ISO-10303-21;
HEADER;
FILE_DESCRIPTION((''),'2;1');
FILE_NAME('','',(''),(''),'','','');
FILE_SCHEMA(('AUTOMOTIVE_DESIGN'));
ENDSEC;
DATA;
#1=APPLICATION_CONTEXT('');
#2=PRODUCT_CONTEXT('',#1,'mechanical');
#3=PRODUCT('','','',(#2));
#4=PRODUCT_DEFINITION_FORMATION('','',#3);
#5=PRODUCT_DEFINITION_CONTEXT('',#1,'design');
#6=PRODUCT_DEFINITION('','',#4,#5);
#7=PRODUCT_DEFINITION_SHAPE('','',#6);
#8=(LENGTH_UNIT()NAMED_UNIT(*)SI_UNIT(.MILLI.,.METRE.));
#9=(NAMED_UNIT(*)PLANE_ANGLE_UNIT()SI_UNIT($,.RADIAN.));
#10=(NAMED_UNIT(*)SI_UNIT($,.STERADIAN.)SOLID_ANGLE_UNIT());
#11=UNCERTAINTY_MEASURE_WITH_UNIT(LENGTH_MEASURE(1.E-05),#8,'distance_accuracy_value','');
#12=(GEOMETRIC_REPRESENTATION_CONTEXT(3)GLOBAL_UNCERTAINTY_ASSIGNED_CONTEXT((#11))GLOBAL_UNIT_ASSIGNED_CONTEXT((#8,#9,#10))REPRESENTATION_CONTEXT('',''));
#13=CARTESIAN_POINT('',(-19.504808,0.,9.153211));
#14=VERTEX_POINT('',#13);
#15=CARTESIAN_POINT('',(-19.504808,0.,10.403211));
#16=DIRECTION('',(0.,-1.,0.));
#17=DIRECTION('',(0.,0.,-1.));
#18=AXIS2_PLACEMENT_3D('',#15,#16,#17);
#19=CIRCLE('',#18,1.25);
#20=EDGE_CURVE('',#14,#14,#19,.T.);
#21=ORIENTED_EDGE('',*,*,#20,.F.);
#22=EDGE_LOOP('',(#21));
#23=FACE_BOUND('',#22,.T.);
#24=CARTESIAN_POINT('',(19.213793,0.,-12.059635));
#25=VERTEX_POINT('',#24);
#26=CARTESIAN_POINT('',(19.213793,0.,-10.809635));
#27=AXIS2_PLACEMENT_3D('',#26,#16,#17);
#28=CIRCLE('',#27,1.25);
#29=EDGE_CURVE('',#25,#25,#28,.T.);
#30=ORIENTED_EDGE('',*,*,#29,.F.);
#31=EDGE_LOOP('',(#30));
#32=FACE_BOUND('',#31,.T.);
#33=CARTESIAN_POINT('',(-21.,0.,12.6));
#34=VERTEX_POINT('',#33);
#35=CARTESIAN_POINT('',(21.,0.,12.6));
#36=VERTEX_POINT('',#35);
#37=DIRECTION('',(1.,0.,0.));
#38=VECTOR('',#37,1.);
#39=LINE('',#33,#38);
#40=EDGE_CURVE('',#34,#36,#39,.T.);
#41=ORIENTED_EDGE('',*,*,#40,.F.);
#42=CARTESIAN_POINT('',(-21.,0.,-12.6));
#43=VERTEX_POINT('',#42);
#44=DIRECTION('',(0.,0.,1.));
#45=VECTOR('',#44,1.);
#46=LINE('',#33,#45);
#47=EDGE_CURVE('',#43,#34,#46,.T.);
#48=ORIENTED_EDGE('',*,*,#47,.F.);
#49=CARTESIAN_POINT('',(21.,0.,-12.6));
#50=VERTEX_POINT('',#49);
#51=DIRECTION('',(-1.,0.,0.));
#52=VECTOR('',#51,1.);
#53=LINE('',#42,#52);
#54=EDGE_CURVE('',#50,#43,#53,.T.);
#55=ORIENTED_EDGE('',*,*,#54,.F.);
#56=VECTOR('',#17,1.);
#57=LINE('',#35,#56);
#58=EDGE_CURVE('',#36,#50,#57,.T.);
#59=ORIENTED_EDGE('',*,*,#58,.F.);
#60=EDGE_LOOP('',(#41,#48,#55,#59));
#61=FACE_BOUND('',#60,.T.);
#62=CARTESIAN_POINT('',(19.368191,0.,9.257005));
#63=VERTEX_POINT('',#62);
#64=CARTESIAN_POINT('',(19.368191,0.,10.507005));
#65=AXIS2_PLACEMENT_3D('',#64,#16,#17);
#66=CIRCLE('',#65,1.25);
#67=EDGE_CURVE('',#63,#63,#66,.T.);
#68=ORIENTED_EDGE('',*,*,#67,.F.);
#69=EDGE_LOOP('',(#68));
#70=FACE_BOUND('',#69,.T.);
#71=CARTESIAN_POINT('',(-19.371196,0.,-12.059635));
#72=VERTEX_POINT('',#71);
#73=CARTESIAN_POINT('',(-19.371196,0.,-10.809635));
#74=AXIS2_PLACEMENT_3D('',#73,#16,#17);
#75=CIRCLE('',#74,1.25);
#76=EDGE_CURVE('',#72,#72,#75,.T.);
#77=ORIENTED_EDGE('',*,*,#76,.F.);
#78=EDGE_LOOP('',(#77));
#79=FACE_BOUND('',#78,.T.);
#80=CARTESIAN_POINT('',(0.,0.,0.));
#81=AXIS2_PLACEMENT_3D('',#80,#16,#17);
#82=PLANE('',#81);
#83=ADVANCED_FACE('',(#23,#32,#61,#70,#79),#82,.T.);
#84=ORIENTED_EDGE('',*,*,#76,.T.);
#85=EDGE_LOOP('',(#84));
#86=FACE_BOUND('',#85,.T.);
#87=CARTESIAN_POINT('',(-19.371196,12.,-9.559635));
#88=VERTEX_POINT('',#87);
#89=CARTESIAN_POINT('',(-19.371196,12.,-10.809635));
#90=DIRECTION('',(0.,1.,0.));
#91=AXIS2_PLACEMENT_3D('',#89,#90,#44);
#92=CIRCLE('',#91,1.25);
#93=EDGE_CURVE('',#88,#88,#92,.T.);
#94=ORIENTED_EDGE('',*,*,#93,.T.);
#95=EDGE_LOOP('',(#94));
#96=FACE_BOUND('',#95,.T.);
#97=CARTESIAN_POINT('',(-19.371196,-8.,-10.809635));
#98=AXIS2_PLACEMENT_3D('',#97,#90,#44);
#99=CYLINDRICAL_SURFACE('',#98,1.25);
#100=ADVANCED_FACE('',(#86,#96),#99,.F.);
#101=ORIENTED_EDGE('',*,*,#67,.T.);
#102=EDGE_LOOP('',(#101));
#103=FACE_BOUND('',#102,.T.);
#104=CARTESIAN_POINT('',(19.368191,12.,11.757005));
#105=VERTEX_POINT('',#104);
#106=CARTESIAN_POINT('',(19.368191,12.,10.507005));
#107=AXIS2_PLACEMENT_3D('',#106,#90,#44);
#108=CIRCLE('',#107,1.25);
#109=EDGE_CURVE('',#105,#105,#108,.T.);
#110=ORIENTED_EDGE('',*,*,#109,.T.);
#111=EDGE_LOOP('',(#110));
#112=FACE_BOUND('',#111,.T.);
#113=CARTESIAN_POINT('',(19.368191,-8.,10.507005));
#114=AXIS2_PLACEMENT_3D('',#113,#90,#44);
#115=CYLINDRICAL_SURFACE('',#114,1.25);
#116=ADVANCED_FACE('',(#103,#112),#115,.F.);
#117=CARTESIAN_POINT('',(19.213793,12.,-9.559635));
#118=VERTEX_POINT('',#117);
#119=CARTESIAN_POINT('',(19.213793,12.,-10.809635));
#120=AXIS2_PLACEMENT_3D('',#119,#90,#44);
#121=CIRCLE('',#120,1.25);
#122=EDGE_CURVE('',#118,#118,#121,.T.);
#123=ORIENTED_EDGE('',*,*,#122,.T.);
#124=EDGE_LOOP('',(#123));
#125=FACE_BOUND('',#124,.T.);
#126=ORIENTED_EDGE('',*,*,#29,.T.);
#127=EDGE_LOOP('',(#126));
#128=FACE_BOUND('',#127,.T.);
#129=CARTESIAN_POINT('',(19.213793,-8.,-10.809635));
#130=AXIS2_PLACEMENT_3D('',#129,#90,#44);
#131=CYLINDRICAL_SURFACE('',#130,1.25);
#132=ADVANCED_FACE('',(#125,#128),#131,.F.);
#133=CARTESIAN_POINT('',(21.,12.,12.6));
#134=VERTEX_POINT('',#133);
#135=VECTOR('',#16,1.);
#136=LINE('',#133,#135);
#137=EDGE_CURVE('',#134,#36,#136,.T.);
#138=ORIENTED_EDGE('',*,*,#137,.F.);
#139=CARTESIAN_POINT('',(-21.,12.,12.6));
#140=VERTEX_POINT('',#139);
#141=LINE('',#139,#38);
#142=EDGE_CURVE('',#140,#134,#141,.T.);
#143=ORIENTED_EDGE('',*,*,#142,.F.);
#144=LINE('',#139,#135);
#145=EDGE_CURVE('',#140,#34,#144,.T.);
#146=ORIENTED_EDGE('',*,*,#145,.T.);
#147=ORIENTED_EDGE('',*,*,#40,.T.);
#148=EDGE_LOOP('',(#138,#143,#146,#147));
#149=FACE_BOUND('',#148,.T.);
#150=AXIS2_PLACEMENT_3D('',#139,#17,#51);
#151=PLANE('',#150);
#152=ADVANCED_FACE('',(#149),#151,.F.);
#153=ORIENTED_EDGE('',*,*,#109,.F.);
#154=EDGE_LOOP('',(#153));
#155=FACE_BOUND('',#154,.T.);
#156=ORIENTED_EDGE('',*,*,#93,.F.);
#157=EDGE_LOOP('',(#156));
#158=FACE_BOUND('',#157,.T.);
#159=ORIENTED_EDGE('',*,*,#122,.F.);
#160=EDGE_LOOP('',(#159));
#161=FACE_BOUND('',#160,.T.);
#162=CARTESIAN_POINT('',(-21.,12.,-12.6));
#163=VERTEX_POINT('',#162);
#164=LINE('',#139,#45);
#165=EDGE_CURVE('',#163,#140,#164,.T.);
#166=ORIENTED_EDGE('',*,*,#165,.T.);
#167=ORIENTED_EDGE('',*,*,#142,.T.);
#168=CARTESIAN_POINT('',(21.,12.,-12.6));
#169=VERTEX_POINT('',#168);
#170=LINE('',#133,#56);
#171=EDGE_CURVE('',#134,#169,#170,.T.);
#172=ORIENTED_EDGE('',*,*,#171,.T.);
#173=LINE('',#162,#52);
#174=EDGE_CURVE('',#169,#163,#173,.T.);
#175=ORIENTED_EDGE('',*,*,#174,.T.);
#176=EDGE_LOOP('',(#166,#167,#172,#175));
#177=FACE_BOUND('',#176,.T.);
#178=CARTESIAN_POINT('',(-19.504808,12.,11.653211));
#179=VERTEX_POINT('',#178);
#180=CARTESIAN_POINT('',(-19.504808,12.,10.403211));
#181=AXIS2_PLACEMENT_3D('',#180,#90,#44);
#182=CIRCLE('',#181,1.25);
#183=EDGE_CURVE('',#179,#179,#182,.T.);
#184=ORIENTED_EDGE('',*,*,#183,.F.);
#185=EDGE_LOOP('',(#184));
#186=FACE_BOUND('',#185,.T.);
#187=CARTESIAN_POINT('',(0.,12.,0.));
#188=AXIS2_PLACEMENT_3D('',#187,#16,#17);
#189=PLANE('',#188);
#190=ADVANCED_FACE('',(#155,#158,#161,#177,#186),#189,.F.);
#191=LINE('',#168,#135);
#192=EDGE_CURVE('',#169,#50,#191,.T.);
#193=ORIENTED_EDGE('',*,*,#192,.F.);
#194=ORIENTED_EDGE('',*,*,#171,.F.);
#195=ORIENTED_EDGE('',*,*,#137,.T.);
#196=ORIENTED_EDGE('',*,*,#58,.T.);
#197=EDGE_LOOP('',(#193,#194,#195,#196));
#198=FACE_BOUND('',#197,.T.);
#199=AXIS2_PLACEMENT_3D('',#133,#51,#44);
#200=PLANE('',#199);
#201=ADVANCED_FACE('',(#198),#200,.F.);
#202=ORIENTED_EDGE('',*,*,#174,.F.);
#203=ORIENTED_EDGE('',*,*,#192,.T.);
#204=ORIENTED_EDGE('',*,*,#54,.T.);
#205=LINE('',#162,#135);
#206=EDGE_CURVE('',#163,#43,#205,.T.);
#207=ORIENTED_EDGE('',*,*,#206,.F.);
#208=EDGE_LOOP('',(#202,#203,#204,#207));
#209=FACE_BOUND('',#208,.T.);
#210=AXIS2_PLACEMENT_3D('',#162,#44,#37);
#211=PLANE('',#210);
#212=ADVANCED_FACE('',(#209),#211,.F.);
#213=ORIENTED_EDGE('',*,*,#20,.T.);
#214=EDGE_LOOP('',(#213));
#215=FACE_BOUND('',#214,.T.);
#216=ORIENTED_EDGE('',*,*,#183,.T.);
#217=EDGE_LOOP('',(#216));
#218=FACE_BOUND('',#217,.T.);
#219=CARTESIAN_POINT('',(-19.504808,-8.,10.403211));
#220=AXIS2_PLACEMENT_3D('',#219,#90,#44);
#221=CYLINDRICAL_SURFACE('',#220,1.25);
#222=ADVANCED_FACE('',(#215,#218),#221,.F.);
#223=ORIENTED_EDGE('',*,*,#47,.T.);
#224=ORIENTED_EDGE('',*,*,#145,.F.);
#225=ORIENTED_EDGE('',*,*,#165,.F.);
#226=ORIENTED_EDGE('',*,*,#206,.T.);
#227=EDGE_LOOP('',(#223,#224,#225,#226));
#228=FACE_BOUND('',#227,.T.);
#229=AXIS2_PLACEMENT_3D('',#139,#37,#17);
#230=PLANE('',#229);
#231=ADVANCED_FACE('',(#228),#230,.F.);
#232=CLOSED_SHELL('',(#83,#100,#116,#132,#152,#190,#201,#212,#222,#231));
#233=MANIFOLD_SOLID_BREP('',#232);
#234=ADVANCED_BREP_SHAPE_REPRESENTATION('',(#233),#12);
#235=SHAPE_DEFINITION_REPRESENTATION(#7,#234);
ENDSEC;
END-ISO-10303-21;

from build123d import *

# Parameters (mm, degrees)
SKETCH1_W           = 42
SKETCH1_H           = 25.2
BOSS_EXTRUDE1_DEPTH = 12
SKETCH2_R           = 1.25
CUT_EXTRUDE1_DEPTH  = 20


with BuildPart() as part:
    # Sketch1 → Boss-Extrude1 (new body)
    with BuildSketch(Plane(origin=(0, 0, 0), x_dir=(1, 0, 0), z_dir=(0, 1, 0))):
        Rectangle(SKETCH1_W, SKETCH1_H)
    extrude(amount=BOSS_EXTRUDE1_DEPTH)

    # Sketch2 → Cut-Extrude1 (cut)
    with BuildSketch(Plane(origin=(0, 12, 0), x_dir=(1, 0, 0), z_dir=(0, 1, 0))):
        with Locations((-19.3711958, 10.809635356)):
            Circle(SKETCH2_R)
        with Locations((-19.504807582, -10.403211158)):
            Circle(SKETCH2_R)
        with Locations((19.368191176, -10.507005442)):
            Circle(SKETCH2_R)
        with Locations((19.213792616, 10.809635356)):
            Circle(SKETCH2_R)
    extrude(amount=-CUT_EXTRUDE1_DEPTH, mode=Mode.SUBTRACT)


solid = part.part
